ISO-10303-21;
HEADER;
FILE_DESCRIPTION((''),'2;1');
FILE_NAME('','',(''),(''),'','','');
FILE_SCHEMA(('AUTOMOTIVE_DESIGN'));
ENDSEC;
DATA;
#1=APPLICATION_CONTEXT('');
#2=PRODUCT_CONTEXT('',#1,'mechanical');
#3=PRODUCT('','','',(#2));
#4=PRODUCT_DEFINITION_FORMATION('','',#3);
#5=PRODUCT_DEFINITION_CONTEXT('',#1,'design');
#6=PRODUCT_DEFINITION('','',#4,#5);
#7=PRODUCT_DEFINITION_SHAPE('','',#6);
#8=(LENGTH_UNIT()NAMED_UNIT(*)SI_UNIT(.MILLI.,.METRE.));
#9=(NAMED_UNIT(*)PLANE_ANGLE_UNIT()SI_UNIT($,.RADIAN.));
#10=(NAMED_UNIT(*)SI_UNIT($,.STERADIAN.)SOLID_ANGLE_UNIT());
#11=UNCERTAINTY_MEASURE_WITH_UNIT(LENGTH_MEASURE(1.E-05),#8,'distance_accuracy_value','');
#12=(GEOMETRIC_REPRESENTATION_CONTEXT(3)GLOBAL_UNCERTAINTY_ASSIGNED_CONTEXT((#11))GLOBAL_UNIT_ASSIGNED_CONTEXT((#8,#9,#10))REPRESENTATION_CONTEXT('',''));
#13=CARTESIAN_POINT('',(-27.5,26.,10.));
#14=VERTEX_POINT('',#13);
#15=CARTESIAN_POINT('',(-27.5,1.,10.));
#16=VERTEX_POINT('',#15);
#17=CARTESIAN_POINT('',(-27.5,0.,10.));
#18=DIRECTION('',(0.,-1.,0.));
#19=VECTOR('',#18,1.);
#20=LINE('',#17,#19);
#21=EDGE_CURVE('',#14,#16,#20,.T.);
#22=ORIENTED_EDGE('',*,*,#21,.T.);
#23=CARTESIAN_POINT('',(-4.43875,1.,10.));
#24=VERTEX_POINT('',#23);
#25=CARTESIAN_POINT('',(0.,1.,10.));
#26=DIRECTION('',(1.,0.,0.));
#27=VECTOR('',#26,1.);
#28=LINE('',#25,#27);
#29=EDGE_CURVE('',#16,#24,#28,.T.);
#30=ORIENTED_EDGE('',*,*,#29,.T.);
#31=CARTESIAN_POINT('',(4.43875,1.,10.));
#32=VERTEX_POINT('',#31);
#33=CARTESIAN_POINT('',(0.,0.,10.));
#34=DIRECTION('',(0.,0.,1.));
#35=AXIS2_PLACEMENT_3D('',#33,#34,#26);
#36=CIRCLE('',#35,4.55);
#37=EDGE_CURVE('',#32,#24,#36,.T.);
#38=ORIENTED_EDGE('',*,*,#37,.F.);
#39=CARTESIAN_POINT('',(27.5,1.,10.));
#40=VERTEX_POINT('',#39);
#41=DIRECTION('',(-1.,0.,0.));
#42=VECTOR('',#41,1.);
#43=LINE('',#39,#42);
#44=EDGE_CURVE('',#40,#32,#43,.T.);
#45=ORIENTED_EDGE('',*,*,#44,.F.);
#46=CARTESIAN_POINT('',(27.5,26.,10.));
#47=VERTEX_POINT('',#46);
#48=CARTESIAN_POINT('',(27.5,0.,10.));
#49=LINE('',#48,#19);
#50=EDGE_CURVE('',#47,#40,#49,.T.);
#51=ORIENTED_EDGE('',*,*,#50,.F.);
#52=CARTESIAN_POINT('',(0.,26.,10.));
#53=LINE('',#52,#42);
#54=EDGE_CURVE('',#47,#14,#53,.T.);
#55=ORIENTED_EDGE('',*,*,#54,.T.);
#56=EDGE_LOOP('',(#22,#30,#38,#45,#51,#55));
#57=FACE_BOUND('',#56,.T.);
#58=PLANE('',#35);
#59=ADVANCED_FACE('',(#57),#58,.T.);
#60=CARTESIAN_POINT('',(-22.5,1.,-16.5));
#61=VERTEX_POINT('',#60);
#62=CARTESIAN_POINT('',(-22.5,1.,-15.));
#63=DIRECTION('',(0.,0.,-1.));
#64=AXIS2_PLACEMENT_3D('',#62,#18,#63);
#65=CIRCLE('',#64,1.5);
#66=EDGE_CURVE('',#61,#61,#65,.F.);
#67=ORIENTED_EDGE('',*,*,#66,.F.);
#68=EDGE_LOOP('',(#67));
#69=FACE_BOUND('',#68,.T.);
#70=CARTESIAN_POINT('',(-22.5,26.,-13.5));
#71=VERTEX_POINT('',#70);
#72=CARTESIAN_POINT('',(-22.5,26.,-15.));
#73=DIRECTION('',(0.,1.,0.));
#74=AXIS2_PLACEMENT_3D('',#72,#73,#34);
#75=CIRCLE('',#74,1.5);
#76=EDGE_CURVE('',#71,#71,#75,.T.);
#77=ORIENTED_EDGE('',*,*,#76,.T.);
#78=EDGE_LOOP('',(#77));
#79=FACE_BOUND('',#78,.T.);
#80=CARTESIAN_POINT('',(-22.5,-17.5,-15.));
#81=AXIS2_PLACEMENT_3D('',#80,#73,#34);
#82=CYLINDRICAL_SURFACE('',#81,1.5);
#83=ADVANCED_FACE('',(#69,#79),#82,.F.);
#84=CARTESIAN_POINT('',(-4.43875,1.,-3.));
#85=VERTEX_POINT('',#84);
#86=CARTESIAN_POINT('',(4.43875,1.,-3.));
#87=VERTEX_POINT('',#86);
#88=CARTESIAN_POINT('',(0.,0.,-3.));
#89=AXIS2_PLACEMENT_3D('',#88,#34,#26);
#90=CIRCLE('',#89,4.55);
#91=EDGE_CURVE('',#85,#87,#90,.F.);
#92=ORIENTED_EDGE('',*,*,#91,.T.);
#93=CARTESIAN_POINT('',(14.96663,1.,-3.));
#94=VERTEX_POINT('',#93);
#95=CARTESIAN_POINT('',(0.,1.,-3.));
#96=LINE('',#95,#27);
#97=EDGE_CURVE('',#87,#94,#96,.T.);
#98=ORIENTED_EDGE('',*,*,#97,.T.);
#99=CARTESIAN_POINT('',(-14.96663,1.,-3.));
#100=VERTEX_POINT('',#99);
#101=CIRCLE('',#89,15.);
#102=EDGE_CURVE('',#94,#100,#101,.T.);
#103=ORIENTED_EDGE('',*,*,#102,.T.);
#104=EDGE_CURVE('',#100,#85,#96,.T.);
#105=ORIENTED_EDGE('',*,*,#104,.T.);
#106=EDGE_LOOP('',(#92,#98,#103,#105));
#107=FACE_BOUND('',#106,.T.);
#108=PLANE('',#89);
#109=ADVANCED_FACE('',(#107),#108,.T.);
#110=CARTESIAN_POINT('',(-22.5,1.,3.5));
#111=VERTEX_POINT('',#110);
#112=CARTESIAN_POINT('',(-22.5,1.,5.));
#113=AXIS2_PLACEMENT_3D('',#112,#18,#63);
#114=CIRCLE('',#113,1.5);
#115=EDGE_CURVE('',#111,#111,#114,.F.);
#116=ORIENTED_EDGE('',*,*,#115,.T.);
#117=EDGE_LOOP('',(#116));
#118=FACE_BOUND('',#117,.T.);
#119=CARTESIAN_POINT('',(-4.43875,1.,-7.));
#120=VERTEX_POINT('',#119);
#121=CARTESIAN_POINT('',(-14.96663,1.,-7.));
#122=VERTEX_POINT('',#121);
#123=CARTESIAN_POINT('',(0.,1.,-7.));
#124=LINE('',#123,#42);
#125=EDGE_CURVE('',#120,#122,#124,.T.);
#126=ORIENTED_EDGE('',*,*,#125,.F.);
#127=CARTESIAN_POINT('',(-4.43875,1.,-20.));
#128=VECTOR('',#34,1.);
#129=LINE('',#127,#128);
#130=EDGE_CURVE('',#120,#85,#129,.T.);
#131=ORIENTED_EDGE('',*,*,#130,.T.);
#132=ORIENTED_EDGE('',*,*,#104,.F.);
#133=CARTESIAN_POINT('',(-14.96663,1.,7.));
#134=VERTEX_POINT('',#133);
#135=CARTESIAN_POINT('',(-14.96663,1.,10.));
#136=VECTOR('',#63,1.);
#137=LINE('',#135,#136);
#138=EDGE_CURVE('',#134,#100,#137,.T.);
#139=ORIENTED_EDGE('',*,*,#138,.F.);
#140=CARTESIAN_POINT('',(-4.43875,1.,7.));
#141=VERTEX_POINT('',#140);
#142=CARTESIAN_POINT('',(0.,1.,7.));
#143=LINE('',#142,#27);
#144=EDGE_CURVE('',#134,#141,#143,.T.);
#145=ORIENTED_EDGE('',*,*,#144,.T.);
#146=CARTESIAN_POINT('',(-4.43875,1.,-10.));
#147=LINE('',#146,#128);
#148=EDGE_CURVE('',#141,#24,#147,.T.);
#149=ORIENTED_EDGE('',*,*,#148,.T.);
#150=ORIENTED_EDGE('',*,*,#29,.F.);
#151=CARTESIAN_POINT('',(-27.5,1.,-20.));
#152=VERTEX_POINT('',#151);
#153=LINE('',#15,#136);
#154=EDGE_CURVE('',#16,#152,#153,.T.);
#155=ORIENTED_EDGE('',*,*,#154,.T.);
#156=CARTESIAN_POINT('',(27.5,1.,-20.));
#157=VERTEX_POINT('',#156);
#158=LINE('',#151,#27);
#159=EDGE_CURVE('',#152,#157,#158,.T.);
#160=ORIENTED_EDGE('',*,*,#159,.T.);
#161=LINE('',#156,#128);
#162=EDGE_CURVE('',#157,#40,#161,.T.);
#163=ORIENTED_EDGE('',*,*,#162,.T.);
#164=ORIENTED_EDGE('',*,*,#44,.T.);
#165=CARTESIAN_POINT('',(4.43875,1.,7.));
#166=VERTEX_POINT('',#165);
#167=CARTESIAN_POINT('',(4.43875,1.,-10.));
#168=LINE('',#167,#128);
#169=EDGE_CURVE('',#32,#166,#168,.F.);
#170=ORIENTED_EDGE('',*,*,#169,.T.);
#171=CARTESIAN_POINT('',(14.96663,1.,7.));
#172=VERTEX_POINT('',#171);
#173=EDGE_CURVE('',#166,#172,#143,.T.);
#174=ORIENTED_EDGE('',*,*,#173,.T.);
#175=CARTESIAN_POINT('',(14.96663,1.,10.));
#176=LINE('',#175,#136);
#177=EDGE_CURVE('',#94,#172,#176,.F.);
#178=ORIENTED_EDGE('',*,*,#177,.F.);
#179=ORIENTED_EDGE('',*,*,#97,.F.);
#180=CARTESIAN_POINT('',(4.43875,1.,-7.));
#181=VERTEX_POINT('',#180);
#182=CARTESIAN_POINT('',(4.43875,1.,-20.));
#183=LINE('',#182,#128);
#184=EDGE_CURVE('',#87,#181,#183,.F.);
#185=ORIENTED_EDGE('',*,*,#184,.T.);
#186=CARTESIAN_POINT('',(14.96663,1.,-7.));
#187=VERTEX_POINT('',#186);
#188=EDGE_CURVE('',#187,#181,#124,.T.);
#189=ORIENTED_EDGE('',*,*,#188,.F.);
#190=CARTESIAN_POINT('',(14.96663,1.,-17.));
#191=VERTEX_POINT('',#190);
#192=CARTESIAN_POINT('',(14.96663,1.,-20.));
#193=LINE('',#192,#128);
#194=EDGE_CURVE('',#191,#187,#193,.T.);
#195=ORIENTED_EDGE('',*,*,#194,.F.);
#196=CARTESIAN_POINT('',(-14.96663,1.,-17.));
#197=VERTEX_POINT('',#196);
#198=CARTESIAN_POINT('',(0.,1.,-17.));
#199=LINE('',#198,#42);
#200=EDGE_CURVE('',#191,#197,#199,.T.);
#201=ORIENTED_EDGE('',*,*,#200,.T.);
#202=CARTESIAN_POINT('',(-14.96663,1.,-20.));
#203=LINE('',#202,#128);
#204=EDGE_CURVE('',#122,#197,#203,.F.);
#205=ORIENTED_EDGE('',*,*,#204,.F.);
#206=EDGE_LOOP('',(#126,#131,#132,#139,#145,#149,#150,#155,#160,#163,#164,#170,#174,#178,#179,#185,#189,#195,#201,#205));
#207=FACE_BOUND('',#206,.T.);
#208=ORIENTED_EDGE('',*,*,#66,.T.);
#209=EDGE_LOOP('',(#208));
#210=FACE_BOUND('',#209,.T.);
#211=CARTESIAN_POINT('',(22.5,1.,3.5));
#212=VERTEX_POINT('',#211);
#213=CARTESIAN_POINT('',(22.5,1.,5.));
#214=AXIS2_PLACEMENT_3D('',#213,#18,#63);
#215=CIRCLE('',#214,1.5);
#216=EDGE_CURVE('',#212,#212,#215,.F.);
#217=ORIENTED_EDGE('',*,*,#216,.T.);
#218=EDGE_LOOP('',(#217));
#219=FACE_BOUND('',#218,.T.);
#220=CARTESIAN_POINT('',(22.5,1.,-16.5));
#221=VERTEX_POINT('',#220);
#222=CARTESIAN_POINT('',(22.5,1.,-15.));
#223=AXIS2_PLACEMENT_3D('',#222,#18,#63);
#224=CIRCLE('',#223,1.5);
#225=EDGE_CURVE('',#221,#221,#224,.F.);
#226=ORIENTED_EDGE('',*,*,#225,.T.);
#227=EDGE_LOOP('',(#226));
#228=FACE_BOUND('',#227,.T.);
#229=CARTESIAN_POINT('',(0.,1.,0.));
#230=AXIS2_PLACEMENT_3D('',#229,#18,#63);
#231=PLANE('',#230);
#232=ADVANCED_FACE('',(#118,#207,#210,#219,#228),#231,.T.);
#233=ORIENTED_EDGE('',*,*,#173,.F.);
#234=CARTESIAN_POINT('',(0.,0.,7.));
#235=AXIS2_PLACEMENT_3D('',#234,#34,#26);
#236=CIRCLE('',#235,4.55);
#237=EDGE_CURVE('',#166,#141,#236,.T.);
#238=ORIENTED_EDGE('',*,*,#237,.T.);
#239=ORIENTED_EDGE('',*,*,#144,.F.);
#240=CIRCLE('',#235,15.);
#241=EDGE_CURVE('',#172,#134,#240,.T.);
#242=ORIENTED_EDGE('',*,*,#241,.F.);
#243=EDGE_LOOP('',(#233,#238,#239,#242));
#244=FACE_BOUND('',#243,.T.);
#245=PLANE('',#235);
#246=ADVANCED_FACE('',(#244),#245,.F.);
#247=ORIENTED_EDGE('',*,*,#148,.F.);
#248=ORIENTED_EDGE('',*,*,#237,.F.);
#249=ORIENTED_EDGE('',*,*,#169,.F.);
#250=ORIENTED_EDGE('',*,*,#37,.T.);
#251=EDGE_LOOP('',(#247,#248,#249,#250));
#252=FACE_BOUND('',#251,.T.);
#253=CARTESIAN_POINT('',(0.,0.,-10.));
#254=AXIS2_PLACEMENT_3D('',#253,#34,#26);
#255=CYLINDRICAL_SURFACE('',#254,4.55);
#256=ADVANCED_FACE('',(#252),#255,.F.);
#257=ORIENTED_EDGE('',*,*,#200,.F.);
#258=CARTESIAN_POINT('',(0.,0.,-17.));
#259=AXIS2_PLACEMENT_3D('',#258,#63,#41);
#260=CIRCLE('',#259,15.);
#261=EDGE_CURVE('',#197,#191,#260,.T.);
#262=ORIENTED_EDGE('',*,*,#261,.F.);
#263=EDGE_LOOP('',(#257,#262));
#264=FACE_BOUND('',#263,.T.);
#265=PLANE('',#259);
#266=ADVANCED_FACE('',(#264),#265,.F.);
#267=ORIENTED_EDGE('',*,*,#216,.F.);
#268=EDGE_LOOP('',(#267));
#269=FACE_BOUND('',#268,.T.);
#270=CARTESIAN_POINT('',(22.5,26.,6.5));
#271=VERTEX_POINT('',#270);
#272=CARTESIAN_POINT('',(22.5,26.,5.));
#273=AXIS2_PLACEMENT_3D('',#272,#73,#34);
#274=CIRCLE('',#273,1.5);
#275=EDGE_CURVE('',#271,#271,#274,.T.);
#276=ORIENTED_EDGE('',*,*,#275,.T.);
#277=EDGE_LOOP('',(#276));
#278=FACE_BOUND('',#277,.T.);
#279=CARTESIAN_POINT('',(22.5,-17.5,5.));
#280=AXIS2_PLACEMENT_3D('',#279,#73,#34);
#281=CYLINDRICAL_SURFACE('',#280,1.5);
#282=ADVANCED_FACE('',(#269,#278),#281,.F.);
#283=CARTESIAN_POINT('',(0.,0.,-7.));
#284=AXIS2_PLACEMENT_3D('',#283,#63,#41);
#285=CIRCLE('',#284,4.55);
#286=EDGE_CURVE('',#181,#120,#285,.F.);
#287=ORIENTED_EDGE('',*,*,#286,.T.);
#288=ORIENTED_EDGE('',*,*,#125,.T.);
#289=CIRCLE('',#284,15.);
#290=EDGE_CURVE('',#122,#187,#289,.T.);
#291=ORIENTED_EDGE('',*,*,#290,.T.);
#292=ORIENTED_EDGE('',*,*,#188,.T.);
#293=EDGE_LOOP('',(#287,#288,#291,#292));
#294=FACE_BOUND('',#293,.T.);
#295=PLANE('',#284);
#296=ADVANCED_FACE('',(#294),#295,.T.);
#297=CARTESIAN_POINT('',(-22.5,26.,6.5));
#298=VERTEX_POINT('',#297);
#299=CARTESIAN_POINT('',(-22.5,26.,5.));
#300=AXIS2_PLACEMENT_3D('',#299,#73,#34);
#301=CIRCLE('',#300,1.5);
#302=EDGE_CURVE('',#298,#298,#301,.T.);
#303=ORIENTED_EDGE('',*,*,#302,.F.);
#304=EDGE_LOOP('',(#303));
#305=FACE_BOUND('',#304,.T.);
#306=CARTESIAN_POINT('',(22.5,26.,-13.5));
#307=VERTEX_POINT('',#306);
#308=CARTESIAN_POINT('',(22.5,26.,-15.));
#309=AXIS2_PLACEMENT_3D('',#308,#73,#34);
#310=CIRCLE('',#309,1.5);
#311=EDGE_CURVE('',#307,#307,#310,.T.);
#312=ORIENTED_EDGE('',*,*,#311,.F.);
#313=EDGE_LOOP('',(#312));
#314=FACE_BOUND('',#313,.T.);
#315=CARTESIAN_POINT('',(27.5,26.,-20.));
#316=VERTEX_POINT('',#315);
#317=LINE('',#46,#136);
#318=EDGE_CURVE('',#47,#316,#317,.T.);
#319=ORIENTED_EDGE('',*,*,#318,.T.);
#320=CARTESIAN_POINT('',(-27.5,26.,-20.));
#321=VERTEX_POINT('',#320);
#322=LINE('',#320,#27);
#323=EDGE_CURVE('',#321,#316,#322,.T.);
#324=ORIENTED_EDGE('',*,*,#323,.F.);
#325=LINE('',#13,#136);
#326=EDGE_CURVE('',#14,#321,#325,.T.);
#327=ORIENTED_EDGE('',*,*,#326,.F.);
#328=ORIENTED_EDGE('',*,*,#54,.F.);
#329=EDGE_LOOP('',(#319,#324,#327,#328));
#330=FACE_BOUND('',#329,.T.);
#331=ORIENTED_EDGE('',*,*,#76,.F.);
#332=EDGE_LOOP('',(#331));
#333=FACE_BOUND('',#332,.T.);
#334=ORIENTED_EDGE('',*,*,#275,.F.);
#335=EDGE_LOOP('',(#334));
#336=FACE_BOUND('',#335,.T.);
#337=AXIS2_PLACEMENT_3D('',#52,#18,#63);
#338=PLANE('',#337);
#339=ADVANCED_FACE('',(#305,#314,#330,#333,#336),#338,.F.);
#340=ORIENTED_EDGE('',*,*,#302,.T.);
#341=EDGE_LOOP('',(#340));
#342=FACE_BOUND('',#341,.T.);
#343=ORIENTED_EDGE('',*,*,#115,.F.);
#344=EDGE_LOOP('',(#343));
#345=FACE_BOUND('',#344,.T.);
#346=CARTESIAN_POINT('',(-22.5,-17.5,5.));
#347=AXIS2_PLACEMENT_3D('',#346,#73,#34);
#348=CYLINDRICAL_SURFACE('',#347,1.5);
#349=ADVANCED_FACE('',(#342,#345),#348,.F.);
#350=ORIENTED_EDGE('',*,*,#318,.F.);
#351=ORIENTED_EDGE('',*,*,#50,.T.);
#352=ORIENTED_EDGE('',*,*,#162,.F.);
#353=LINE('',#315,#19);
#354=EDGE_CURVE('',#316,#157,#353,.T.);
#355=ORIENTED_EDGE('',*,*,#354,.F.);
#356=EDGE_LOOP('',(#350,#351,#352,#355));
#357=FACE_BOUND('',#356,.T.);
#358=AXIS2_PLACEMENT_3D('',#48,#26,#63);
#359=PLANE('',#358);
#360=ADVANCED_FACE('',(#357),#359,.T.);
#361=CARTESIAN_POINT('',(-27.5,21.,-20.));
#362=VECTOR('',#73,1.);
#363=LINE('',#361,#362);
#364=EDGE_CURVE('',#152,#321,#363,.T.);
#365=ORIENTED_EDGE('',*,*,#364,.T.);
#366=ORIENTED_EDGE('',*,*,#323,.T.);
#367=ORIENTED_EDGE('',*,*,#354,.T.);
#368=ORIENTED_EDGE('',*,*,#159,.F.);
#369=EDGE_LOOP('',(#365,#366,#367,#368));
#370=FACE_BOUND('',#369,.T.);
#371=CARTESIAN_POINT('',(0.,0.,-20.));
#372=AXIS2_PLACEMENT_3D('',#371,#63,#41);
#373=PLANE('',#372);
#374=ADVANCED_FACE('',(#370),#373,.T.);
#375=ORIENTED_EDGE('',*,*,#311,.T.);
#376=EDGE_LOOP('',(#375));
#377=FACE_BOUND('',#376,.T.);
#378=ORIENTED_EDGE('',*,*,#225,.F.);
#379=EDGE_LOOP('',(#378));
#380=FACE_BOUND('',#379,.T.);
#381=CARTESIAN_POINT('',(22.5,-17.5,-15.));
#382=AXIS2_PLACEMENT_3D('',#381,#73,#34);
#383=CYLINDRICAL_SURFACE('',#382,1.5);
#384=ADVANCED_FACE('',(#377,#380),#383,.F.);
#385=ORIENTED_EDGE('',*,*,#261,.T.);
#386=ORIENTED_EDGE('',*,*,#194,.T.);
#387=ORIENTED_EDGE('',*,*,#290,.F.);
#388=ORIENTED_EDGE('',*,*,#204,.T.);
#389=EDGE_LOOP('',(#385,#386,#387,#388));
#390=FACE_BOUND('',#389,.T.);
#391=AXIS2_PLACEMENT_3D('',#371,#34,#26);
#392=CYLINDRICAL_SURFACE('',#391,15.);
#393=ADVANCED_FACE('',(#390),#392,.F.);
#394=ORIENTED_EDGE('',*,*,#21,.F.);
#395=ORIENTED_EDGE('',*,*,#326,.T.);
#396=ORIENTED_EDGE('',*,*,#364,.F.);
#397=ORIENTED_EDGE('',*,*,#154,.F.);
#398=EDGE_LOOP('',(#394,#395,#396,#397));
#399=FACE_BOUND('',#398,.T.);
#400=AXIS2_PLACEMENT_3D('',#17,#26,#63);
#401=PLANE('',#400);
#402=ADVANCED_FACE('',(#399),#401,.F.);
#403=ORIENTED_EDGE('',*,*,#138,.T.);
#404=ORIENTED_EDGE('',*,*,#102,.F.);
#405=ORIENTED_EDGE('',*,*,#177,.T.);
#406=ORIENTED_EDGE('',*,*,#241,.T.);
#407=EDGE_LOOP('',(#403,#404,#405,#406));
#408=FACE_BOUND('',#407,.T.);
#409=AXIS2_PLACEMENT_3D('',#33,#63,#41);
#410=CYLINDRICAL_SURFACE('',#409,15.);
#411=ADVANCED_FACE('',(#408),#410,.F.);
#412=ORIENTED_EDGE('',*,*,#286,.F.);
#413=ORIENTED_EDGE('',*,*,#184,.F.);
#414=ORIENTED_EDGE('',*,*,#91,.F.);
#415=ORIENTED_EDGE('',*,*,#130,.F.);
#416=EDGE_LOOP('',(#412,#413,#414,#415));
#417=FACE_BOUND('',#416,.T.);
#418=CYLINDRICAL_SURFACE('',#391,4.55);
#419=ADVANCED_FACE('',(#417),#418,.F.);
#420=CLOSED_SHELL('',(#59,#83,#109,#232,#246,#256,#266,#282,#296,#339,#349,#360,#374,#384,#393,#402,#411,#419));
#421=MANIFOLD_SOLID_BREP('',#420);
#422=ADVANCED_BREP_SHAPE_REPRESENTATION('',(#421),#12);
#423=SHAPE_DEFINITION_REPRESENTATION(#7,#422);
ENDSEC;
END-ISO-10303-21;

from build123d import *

# Parameters (mm, degrees)
SKETCH_2_R           = 15
EXTRUDE_1_DEPTH      = 10
EXTRUDE_START        = 10
EXTRUDE_2_DEPTH      = 10
SKETCH_4_R           = 15
EXTRUDE_3_DEPTH      = 10
SKETCH_5_R           = 4.55
CUT_EXTRUDE_1_DEPTH  = 43.804789452
SKETCH_6_R           = 1.5
CUT_EXTRUDE_2_DEPTH  = 56.213223054
SKETCH_7_R           = 15
CUT_EXTRUDE_3_DEPTH  = 13
CUT_EXTRUDE_START    = -3
SKETCH_8_R           = 15
CUT_EXTRUDE_4_DEPTH  = 3
SKETCH_10_W          = 10
SKETCH_10_H          = 30
SKETCH_10_R          = 1.5
EXTRUDE_5_DEPTH      = 45
EXTRUDE_6_REACH      = 62.467
EXTRUDE_6_END_RADIUS = 17.5
SKETCH_11_W          = 35
SKETCH_11_H          = 30
SKETCH_12_R          = 15
EXTRUDE_7_DEPTH      = 3
EXTRUDE_START_2      = -3
SKETCH_14_R          = 15
EXTRUDE_9_DEPTH      = 3
SKETCH_16_R          = 4.55
CUT_EXTRUDE_6_DEPTH  = 20
SKETCH_15_W          = 55
SKETCH_15_H          = 30
CUT_EXTRUDE_7_DEPTH  = 25


with BuildPart() as part:
    # 草图2 → 凸台-拉伸1 (new body)
    with BuildSketch(Plane.XY):
        with BuildLine():
            Line((-17.5, 21), (-17.5, 0))
            ThreePointArc((-17.5, 0), (0, -17.5), (17.5, 0))
            Line((17.5, 0), (17.5, 21))
            Line((17.5, 21), (27.5, 21))
            Line((27.5, 21), (27.5, 26))
            Line((27.5, 26), (-27.5, 26))
            Line((-27.5, 26), (-27.5, 21))
            Line((-27.5, 21), (-17.5, 21))
        make_face()
        Circle(SKETCH_2_R, mode=Mode.SUBTRACT)
    extrude(amount=EXTRUDE_1_DEPTH)

    # 草图3 → 凸台-拉伸2 (add)
    with BuildSketch(Plane(origin=(0, 0, 0), x_dir=(-1, 0, 0), z_dir=(0, 0, -1)).offset(EXTRUDE_START)):
        with BuildLine():
            Line((17.5, 0), (17.5, 21))
            Line((17.5, 21), (27.5, 21))
            Line((27.5, 21), (27.5, 26))
            Line((27.5, 26), (-27.5, 26))
            Line((-27.5, 26), (-27.5, 21))
            Line((-27.5, 21), (-17.5, 21))
            Line((-17.5, 21), (-17.5, 0))
            ThreePointArc((-17.5, 0), (0, -17.5), (17.5, 0))
        make_face()
    extrude(amount=-EXTRUDE_2_DEPTH)

    # 草图4 → 凸台-拉伸3 (add)
    with BuildSketch(Plane(origin=(0, 0, -10), x_dir=(-1, 0, 0), z_dir=(0, 0, -1)).offset(EXTRUDE_START)):
        with BuildLine():
            Line((17.5, 0), (17.5, 21))
            Line((17.5, 21), (27.5, 21))
            Line((27.5, 21), (27.5, 26))
            Line((27.5, 26), (-27.5, 26))
            Line((-27.5, 26), (-27.5, 21))
            Line((-27.5, 21), (-17.5, 21))
            Line((-17.5, 21), (-17.5, 0))
            ThreePointArc((-17.5, 0), (0, -17.5), (17.5, 0))
        make_face()
        Circle(SKETCH_4_R, mode=Mode.SUBTRACT)
    extrude(amount=-EXTRUDE_3_DEPTH)

    # 草图5 → 切除-拉伸1 (cut, through all)
    with BuildSketch(Plane.XY):
        Circle(SKETCH_5_R)
    extrude(amount=-CUT_EXTRUDE_1_DEPTH, mode=Mode.SUBTRACT)

    # 草图6 → 切除-拉伸2 (cut, through all)
    with BuildSketch(Plane(origin=(0, 26, 0), x_dir=(1, 0, 0), z_dir=(0, 1, 0))):
        with Locations((-22.5, 15)):
            Circle(SKETCH_6_R)
        with Locations((-22.5, -5)):
            Circle(SKETCH_6_R)
        with Locations((22.5, 15)):
            Circle(SKETCH_6_R)
        with Locations((22.5, -5)):
            Circle(SKETCH_6_R)
    extrude(amount=-CUT_EXTRUDE_2_DEPTH, mode=Mode.SUBTRACT)

    # 草图7 → 切除-拉伸3 (cut)
    with BuildSketch(Plane(origin=(0, 0, -20), x_dir=(-1, 0, 0), z_dir=(0, 0, -1))):
        Circle(SKETCH_7_R)
    extrude(amount=-CUT_EXTRUDE_3_DEPTH, mode=Mode.SUBTRACT)

    # 草图8 → 切除-拉伸4 (cut)
    with BuildSketch(Plane.XY.offset(CUT_EXTRUDE_START)):
        Circle(SKETCH_8_R)
    extrude(amount=CUT_EXTRUDE_4_DEPTH, mode=Mode.SUBTRACT)

    # 草图10 → 凸台-拉伸5 (add)
    # profile 1 of 2: a face of its own
    with BuildSketch(Plane.XZ.offset(-21)):
        with Locations((22.5, -5)):
            Rectangle(SKETCH_10_W, SKETCH_10_H)
        with Locations((22.5, -15)):
            Circle(SKETCH_10_R, mode=Mode.SUBTRACT)
        with Locations((22.5, 5)):
            Circle(SKETCH_10_R, mode=Mode.SUBTRACT)
    # profile 2 of 2: a face of its own
    with BuildSketch(Plane.XZ.offset(-21)):
        with Locations((-22.5, -5)):
            Rectangle(SKETCH_10_W, SKETCH_10_H)
        with Locations((-22.5, 5)):
            Circle(SKETCH_10_R, mode=Mode.SUBTRACT)
        with Locations((-22.5, -15)):
            Circle(SKETCH_10_R, mode=Mode.SUBTRACT)
    extrude(amount=EXTRUDE_5_DEPTH)

    # 凸台-拉伸6: up to this cylinder (the profile starts outside it)
    extrude_6_end = Plane(origin=(0, 0, -5), z_dir=(0, 0, -1)) * Cylinder(EXTRUDE_6_END_RADIUS, 160.934, mode=Mode.PRIVATE)
    # 草图11 → 凸台-拉伸6 (add, up to the surface)
    with BuildSketch(Plane.XZ.offset(24), mode=Mode.PRIVATE) as extrude_6_sk1:
        with Locations((0, -5)):
            Rectangle(SKETCH_11_W, SKETCH_11_H)
    extrude_6_tool1 = extrude(extrude_6_sk1.sketch, amount=-EXTRUDE_6_REACH, mode=Mode.PRIVATE) - extrude_6_end
    add(extrude_6_tool1.solids().sort_by_distance((0, -24, -5))[0])

    # 草图12 → 凸台-拉伸7 (add)
    with BuildSketch(Plane(origin=(0, 0, -20), x_dir=(-1, 0, 0), z_dir=(0, 0, -1))):
        Circle(SKETCH_12_R)
    extrude(amount=-EXTRUDE_7_DEPTH)

    # 草图14 → 凸台-拉伸9 (add)
    with BuildSketch(Plane.XY.offset(10).offset(EXTRUDE_START_2)):
        Circle(SKETCH_14_R)
    extrude(amount=EXTRUDE_9_DEPTH)

    # 草图16 → 切除-拉伸6 (cut)
    with BuildSketch(Plane.XY.offset(10)):
        Circle(SKETCH_16_R)
    extrude(amount=-CUT_EXTRUDE_6_DEPTH, mode=Mode.SUBTRACT)

    # 草图15 → 切除-拉伸7 (cut)
    with BuildSketch(Plane.XZ.offset(24)):
        with Locations((0, -5)):
            Rectangle(SKETCH_15_W, SKETCH_15_H)
    extrude(amount=-CUT_EXTRUDE_7_DEPTH, mode=Mode.SUBTRACT)


solid = part.part
